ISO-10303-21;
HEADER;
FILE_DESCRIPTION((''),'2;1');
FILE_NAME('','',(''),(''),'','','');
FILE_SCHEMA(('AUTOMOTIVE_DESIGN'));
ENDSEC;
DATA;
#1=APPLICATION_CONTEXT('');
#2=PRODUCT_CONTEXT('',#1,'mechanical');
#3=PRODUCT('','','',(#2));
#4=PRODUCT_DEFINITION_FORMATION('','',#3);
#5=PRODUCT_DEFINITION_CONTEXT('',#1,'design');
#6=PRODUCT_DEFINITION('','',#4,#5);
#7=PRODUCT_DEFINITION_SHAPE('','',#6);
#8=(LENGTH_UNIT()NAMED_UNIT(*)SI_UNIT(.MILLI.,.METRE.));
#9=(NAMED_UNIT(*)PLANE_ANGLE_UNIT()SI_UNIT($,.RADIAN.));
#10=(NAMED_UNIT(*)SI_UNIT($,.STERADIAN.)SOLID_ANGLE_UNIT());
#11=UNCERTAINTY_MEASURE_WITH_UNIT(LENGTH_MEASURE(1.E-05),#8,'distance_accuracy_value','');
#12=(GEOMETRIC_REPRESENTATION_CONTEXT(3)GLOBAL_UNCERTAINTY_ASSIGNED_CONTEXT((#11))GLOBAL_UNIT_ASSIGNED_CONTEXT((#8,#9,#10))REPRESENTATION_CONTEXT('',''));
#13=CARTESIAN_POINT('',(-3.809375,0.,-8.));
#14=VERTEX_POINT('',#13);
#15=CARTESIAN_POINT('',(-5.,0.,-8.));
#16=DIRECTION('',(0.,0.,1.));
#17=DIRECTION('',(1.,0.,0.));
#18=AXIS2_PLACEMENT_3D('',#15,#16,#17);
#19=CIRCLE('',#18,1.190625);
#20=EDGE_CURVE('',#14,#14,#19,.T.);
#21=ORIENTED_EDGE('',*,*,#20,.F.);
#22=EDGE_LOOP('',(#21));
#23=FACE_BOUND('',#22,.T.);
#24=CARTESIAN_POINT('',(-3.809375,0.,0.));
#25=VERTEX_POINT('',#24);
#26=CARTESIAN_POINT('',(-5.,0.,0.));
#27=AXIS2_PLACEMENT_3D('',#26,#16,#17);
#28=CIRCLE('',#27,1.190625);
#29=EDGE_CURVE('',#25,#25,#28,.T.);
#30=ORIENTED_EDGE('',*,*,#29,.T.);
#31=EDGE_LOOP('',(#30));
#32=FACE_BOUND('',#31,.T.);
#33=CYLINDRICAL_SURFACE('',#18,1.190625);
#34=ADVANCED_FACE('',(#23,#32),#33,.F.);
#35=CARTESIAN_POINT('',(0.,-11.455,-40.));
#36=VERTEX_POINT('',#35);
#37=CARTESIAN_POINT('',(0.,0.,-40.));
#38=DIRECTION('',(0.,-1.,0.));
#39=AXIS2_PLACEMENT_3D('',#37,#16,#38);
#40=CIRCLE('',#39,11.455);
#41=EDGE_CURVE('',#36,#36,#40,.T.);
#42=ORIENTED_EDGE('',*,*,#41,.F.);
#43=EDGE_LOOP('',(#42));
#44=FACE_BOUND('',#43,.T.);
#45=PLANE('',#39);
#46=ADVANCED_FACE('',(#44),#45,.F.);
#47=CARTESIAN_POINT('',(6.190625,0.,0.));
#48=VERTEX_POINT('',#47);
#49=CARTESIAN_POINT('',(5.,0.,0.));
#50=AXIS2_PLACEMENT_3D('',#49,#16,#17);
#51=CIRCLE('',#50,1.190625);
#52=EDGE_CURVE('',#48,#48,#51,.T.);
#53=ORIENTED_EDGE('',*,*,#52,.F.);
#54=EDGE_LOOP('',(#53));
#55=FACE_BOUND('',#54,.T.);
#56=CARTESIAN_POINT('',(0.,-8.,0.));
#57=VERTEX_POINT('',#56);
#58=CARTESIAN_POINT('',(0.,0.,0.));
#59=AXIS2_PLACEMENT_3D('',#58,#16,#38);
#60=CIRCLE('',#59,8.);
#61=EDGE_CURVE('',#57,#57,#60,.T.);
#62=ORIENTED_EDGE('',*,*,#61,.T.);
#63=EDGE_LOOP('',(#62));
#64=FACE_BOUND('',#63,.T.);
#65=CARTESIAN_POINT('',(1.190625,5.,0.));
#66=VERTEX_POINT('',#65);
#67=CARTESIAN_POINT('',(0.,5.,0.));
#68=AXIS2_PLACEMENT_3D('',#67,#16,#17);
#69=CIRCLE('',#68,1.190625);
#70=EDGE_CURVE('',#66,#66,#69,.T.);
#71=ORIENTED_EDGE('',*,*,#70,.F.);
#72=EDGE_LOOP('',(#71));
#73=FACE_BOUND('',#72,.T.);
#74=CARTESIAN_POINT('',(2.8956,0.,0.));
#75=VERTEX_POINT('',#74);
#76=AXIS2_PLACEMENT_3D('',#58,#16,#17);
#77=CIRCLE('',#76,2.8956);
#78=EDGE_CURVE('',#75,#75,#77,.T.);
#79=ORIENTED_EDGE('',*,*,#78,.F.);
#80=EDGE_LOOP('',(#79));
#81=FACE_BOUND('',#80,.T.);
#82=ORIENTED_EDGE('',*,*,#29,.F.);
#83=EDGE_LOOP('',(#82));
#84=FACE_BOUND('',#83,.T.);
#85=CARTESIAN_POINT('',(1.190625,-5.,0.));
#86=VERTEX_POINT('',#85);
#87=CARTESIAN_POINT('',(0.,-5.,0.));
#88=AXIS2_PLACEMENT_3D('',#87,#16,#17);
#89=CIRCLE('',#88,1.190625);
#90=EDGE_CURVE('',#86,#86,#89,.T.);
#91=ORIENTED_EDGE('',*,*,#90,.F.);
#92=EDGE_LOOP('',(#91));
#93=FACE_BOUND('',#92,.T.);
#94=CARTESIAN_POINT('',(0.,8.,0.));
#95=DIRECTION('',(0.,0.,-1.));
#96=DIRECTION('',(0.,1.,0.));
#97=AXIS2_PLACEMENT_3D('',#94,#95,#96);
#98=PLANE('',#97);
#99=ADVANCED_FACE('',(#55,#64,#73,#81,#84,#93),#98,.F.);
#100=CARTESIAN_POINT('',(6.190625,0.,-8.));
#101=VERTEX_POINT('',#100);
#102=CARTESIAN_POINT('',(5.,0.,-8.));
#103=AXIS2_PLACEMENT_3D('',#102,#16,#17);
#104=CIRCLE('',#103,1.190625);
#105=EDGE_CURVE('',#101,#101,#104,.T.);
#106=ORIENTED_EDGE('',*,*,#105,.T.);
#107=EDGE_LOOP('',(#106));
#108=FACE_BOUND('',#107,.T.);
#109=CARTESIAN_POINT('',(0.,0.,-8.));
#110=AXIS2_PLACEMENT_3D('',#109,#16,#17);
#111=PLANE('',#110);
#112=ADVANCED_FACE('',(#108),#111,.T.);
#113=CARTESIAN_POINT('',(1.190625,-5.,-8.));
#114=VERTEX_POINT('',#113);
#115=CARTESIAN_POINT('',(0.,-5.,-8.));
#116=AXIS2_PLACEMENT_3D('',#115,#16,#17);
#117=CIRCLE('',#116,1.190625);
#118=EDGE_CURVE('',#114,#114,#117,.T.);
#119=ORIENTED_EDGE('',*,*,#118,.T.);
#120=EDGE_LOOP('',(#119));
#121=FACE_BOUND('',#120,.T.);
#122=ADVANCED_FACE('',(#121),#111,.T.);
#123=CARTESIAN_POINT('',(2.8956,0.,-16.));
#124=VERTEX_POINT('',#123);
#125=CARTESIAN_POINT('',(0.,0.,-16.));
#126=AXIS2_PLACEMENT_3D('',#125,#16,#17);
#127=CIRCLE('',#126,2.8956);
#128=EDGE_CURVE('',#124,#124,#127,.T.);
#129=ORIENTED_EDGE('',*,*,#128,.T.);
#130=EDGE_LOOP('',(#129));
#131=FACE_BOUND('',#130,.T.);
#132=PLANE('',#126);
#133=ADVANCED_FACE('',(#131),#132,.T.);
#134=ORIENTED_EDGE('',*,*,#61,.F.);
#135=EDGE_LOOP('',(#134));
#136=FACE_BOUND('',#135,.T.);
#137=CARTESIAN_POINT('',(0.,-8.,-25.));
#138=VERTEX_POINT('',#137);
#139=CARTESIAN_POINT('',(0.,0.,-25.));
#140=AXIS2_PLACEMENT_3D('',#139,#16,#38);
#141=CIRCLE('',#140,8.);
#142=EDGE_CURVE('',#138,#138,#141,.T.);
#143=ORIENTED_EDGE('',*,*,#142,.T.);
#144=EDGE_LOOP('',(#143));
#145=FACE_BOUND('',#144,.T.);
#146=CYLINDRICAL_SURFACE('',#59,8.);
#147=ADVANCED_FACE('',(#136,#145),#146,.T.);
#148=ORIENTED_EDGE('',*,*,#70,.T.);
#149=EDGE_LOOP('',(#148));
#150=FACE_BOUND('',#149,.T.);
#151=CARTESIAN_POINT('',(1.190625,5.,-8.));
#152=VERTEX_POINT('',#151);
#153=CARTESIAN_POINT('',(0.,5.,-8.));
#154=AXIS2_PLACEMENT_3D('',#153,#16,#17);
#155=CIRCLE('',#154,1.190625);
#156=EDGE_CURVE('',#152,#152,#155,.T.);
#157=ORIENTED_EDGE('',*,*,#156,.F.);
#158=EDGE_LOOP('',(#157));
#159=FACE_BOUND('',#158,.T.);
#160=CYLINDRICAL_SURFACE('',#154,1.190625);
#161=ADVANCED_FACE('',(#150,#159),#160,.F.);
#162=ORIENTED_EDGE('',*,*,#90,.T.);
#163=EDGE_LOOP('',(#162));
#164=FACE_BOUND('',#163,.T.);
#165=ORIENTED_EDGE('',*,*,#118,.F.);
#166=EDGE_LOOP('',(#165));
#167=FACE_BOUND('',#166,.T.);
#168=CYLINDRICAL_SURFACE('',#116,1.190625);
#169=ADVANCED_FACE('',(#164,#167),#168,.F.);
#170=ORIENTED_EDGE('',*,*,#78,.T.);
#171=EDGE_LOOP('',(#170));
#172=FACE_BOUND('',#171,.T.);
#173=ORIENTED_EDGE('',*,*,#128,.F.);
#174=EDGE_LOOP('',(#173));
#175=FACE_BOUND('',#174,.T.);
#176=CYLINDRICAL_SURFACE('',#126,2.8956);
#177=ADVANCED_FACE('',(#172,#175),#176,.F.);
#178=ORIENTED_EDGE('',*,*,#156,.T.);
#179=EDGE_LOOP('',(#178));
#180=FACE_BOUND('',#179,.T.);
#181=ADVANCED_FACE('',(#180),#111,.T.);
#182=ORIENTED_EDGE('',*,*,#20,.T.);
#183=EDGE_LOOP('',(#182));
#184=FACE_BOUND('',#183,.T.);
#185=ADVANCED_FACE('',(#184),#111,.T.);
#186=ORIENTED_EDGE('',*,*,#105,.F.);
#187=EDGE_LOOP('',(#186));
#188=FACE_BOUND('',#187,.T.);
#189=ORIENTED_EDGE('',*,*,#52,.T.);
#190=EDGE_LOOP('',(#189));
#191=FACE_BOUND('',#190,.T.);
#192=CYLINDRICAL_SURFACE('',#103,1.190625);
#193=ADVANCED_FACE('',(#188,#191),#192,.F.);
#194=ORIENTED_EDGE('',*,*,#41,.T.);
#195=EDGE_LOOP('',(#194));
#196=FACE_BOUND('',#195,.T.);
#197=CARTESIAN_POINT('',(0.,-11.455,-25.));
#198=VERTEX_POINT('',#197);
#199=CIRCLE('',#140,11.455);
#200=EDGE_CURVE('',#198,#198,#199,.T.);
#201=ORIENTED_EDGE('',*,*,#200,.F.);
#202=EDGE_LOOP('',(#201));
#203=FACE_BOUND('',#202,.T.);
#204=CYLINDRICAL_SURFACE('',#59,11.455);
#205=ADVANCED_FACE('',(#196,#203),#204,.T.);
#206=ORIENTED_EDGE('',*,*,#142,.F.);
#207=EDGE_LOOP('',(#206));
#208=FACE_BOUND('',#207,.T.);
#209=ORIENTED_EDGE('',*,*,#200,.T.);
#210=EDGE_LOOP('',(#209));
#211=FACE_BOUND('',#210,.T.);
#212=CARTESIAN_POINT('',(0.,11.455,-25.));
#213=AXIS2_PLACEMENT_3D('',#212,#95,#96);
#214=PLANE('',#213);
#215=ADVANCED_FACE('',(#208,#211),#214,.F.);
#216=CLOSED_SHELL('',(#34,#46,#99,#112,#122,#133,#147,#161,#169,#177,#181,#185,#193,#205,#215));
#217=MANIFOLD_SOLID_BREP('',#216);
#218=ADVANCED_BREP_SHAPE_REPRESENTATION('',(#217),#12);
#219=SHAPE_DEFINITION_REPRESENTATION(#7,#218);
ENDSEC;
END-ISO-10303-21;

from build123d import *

# Parameters (mm, degrees)
SKETCH1_3_R        = 1.190625
CUT_EXTRUDE1_DEPTH = 8
SKETCH1_R          = 2.8956
CUT_EXTRUDE2_DEPTH = 16


with BuildPart() as part:
    # Sketch2 → Revolve1 (revolve)
    with BuildSketch(Plane.YZ):
        Polygon((0, 0), (0, -40), (11.455, -40), (11.455, -25), (8, -25), (8, 0), align=None)
    revolve(axis=Axis((0, 0, 0), (0, 0, -1)))

    # Sketch1<3> → Cut-Extrude1 (cut)
    with BuildSketch(Plane(origin=(0, 0, 0), x_dir=(0, 1, 0), z_dir=(0, 0, 1))):
        with Locations((0, 5)):
            Circle(SKETCH1_3_R)
        with Locations((-5, 0)):
            Circle(SKETCH1_3_R)
        with Locations((5, 0)):
            Circle(SKETCH1_3_R)
        with Locations((0, -5)):
            Circle(SKETCH1_3_R)
    extrude(amount=-CUT_EXTRUDE1_DEPTH, mode=Mode.SUBTRACT)

    # Sketch1 → Cut-Extrude2 (cut)
    with BuildSketch(Plane(origin=(0, 0, 0), x_dir=(0, 1, 0), z_dir=(0, 0, 1))):
        Circle(SKETCH1_R)
    extrude(amount=-CUT_EXTRUDE2_DEPTH, mode=Mode.SUBTRACT)


solid = part.part
